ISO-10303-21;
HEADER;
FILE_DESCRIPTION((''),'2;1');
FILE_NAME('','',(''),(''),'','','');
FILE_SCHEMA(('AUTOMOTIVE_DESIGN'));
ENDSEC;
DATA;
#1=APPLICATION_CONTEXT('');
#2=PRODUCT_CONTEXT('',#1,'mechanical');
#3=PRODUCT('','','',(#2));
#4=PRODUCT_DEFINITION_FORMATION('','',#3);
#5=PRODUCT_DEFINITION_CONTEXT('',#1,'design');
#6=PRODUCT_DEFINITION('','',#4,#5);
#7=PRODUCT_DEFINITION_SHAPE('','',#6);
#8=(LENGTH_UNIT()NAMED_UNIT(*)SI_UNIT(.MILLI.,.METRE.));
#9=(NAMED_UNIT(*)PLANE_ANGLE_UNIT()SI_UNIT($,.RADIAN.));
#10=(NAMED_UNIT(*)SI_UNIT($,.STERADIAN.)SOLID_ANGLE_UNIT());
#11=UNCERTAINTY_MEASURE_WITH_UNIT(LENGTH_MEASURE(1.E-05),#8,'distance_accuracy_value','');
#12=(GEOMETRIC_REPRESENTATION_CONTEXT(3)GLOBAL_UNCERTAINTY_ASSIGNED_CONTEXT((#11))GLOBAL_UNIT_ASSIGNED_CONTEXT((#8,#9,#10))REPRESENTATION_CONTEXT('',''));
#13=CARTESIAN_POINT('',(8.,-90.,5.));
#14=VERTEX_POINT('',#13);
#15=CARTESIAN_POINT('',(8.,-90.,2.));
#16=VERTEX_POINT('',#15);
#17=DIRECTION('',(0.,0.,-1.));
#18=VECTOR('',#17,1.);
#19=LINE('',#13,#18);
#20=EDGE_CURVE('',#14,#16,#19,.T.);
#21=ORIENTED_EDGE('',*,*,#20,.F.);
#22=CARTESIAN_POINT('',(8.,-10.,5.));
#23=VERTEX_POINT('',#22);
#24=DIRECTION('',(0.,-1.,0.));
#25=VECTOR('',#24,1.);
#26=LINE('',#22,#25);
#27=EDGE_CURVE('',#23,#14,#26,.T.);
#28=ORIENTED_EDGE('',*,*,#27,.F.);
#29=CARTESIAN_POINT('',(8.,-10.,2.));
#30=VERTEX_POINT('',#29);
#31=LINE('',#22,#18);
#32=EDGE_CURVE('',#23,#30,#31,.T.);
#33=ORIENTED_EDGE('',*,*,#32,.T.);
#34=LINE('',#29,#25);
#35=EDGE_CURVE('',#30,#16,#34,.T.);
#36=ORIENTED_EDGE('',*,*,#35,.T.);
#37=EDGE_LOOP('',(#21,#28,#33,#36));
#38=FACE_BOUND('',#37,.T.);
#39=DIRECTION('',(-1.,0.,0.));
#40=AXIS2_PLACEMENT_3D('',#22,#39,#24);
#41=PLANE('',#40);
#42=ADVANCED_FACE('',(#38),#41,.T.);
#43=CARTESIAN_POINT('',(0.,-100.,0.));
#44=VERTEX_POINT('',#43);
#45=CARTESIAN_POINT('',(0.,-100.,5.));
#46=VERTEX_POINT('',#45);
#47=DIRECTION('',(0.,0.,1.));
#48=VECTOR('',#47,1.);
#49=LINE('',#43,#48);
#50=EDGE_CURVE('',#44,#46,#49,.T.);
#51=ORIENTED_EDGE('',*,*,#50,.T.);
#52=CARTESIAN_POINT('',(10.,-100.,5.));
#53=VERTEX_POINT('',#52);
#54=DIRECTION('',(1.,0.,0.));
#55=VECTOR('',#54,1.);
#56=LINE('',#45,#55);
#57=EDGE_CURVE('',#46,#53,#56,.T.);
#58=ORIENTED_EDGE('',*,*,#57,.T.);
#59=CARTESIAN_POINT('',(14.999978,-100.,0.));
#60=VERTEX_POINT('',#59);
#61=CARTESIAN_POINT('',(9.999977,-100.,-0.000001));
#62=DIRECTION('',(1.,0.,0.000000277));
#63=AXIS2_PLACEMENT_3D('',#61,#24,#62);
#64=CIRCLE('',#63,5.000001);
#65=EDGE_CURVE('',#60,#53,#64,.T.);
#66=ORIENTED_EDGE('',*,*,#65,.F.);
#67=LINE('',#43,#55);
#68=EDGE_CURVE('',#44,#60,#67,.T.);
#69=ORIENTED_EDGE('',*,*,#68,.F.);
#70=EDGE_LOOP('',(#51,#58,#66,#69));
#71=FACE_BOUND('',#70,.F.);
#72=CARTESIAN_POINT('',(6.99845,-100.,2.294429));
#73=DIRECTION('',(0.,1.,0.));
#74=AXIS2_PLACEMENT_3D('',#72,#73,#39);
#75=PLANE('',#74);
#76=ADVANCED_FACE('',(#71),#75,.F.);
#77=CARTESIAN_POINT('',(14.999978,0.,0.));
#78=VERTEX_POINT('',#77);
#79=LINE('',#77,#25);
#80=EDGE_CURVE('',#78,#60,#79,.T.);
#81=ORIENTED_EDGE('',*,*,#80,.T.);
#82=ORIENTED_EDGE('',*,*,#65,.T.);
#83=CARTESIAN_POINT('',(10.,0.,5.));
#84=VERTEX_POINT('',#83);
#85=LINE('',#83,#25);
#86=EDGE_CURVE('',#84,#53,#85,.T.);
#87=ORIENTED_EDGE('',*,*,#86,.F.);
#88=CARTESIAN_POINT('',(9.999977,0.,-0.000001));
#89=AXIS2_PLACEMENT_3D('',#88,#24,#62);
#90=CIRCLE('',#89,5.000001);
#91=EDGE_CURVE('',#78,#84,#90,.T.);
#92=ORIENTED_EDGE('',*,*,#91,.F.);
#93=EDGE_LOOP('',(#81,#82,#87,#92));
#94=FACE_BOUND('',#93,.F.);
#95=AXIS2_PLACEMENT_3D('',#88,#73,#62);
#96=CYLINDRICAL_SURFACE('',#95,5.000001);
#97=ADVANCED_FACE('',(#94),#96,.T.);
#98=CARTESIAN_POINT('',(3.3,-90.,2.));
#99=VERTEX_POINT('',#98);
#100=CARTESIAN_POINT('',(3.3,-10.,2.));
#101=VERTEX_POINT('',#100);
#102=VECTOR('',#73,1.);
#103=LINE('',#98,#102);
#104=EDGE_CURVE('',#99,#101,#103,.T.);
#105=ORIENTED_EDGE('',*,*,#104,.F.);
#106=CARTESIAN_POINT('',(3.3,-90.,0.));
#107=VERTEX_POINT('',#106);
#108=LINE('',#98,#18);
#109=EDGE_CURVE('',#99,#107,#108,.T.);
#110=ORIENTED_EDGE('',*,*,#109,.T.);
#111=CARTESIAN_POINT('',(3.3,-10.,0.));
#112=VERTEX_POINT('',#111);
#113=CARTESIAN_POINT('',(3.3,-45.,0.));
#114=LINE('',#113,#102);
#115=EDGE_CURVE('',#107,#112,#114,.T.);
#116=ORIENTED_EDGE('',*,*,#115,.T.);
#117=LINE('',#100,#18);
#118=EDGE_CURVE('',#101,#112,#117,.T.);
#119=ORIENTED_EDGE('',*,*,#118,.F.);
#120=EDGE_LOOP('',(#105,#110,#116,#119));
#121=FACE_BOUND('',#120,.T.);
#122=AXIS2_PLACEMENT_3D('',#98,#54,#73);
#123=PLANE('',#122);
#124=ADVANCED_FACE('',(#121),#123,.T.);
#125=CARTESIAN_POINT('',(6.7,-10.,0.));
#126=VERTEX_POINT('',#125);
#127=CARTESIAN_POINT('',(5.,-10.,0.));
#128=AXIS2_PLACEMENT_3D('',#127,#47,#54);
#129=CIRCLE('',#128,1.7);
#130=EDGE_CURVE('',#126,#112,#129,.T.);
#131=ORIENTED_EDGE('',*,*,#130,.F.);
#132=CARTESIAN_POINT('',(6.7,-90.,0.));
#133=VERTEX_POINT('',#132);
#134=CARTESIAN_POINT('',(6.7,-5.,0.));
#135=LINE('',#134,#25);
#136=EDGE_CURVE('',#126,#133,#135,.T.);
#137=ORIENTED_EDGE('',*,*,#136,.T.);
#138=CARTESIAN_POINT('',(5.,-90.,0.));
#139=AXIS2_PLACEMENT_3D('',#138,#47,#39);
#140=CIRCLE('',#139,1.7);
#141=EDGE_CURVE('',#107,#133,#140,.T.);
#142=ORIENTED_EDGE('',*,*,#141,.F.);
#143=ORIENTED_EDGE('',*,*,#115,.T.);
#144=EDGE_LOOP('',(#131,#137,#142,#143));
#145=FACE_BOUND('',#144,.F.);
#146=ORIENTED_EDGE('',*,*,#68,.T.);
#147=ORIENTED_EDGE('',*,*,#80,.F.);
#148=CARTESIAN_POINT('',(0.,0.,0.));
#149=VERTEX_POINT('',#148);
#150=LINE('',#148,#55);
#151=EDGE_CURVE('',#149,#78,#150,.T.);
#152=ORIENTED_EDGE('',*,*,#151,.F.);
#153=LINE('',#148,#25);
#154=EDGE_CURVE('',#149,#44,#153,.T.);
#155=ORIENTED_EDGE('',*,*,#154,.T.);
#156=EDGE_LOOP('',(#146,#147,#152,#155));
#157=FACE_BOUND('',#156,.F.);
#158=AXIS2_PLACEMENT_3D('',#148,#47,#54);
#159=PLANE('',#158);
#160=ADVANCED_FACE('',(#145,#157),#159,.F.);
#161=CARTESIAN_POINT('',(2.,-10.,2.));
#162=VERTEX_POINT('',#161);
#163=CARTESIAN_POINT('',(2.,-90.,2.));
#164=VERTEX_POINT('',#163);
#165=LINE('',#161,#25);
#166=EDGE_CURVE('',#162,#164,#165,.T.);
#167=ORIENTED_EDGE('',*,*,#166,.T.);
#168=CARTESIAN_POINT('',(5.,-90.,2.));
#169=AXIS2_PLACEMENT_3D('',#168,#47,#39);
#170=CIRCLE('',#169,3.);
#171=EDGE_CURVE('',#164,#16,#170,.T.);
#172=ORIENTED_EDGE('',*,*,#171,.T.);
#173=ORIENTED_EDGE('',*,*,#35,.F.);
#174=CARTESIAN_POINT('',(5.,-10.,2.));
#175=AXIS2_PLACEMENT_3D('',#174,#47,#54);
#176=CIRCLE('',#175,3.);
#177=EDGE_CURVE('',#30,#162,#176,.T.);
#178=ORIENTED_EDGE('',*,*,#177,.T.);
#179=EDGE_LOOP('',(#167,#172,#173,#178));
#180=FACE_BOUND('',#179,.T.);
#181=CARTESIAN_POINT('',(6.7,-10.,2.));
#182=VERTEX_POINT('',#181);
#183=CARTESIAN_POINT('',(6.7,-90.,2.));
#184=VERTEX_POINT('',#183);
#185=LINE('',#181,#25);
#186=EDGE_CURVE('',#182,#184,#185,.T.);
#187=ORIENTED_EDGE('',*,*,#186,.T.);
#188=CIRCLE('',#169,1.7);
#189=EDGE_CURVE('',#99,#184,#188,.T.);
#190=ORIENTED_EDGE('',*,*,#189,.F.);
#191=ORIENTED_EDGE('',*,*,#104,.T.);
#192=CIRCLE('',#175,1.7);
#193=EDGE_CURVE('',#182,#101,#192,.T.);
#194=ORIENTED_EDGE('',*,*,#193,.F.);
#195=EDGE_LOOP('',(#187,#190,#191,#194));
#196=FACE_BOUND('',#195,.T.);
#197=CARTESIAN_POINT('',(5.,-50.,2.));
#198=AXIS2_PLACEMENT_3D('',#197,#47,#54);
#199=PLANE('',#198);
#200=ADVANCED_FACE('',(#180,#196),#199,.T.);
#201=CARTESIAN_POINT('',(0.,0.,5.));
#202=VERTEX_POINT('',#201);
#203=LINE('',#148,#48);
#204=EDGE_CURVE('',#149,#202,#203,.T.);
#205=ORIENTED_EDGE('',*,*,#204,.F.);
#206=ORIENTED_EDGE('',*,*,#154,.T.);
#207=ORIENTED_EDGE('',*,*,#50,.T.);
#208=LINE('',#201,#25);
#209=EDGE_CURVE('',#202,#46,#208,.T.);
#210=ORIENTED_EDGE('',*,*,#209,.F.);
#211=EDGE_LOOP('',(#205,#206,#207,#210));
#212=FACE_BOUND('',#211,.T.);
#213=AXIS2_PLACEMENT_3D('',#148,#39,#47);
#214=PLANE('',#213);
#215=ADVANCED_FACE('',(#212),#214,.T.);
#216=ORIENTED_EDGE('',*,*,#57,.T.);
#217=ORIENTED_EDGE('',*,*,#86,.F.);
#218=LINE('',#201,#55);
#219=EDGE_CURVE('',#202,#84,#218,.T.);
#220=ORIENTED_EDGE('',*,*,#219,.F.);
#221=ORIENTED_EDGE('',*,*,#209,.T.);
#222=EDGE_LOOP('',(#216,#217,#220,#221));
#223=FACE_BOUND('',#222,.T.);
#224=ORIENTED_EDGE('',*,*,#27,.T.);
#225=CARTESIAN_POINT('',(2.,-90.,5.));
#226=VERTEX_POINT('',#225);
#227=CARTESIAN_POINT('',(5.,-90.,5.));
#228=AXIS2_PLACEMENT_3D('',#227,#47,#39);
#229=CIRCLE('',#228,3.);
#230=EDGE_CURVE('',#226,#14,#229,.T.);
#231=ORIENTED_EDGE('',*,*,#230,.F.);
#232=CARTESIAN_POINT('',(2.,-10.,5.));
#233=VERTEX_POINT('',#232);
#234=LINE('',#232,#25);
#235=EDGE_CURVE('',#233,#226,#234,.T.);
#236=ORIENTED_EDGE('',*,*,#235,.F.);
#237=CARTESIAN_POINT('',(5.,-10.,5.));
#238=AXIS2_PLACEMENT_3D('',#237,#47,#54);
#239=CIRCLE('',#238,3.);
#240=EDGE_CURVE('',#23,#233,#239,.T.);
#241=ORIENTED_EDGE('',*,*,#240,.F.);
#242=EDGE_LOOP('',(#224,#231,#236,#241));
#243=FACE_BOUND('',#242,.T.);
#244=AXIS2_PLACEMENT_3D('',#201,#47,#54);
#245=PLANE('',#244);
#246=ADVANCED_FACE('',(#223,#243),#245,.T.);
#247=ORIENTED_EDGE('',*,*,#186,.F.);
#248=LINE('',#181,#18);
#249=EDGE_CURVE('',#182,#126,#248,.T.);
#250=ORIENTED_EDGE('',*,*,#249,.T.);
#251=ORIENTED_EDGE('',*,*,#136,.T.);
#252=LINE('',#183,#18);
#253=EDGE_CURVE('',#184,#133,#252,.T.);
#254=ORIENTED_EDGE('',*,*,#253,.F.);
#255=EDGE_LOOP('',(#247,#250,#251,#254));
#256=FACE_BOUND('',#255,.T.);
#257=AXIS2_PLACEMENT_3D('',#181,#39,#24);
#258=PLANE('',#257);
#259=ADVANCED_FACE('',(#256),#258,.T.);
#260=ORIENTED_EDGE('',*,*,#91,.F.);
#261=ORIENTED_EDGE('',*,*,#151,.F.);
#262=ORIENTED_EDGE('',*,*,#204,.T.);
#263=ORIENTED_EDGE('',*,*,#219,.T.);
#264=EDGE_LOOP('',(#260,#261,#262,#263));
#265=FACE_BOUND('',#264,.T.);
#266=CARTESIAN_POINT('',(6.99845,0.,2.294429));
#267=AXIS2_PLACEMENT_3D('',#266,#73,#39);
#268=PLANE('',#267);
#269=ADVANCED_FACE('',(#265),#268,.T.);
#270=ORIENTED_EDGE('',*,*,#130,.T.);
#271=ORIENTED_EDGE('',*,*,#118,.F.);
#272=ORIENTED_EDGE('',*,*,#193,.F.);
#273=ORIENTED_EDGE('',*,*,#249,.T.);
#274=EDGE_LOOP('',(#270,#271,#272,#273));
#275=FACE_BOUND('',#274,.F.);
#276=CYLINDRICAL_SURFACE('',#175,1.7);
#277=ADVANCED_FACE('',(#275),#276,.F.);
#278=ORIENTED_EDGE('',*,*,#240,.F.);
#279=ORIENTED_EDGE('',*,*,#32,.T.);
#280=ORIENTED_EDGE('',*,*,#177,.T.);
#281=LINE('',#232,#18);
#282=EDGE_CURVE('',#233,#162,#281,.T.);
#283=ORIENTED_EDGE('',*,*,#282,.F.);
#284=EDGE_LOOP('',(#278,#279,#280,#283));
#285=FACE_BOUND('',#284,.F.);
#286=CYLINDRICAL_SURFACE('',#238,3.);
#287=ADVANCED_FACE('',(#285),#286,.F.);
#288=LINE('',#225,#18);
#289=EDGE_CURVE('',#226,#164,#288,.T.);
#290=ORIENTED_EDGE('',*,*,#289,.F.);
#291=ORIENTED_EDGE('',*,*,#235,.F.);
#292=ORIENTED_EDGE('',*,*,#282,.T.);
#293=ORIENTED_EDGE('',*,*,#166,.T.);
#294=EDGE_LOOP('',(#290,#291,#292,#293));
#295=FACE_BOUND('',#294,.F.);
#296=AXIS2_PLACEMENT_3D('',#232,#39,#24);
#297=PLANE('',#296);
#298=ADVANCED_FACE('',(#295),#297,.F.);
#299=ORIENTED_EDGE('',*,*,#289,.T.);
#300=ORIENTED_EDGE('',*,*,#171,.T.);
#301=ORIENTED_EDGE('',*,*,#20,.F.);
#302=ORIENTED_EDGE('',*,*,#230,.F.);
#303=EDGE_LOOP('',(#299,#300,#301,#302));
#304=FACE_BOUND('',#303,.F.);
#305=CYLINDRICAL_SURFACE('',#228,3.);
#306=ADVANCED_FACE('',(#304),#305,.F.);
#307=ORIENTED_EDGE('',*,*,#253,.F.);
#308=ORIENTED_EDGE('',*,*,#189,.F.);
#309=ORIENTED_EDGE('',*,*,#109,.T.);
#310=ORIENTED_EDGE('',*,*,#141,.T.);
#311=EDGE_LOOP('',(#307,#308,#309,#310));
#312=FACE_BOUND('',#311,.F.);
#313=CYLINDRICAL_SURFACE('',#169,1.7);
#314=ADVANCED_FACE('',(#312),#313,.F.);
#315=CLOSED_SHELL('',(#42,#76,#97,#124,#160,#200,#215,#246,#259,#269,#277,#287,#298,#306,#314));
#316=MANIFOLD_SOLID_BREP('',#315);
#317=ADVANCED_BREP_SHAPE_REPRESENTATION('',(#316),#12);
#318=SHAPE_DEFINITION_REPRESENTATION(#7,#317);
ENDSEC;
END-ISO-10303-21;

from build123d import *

# Parameters (mm, degrees)
PAD_DEPTH       = 100
POCKET_DEPTH    = 3
POCKET001_DEPTH = 3


with BuildPart() as part:
    # Sketch → Pad (new body)
    with BuildSketch(Plane.XZ):
        with BuildLine():
            Line((0, 0), (0, 5))
            Line((0, 5), (10, 5))
            ThreePointArc((14.999978, 0), (13.535519, 3.535526), (10, 5))
            Line((0, 0), (14.999978, 0))
        make_face()
    extrude(amount=PAD_DEPTH)

    # Sketch001 → Pocket (cut)
    with BuildSketch(Plane.XY.offset(5)):
        with BuildLine():
            ThreePointArc((8, -10), (5, -7), (2, -10))
            Line((2, -10), (2, -90))
            ThreePointArc((2, -90), (5, -93), (8, -90))
            Line((8, -10), (8, -90))
        make_face()
    extrude(amount=-POCKET_DEPTH, mode=Mode.SUBTRACT)

    # Sketch002 → Pocket001 (cut)
    with BuildSketch(Plane.XY.offset(2)):
        with BuildLine():
            Line((6.7, -10), (6.7, -90))
            ThreePointArc((3.3, -90), (5, -91.7), (6.7, -90))
            Line((3.3, -90), (3.3, -10))
            ThreePointArc((6.7, -10), (5, -8.3), (3.3, -10))
        make_face()
    extrude(amount=-POCKET001_DEPTH, mode=Mode.SUBTRACT)


solid = part.part
